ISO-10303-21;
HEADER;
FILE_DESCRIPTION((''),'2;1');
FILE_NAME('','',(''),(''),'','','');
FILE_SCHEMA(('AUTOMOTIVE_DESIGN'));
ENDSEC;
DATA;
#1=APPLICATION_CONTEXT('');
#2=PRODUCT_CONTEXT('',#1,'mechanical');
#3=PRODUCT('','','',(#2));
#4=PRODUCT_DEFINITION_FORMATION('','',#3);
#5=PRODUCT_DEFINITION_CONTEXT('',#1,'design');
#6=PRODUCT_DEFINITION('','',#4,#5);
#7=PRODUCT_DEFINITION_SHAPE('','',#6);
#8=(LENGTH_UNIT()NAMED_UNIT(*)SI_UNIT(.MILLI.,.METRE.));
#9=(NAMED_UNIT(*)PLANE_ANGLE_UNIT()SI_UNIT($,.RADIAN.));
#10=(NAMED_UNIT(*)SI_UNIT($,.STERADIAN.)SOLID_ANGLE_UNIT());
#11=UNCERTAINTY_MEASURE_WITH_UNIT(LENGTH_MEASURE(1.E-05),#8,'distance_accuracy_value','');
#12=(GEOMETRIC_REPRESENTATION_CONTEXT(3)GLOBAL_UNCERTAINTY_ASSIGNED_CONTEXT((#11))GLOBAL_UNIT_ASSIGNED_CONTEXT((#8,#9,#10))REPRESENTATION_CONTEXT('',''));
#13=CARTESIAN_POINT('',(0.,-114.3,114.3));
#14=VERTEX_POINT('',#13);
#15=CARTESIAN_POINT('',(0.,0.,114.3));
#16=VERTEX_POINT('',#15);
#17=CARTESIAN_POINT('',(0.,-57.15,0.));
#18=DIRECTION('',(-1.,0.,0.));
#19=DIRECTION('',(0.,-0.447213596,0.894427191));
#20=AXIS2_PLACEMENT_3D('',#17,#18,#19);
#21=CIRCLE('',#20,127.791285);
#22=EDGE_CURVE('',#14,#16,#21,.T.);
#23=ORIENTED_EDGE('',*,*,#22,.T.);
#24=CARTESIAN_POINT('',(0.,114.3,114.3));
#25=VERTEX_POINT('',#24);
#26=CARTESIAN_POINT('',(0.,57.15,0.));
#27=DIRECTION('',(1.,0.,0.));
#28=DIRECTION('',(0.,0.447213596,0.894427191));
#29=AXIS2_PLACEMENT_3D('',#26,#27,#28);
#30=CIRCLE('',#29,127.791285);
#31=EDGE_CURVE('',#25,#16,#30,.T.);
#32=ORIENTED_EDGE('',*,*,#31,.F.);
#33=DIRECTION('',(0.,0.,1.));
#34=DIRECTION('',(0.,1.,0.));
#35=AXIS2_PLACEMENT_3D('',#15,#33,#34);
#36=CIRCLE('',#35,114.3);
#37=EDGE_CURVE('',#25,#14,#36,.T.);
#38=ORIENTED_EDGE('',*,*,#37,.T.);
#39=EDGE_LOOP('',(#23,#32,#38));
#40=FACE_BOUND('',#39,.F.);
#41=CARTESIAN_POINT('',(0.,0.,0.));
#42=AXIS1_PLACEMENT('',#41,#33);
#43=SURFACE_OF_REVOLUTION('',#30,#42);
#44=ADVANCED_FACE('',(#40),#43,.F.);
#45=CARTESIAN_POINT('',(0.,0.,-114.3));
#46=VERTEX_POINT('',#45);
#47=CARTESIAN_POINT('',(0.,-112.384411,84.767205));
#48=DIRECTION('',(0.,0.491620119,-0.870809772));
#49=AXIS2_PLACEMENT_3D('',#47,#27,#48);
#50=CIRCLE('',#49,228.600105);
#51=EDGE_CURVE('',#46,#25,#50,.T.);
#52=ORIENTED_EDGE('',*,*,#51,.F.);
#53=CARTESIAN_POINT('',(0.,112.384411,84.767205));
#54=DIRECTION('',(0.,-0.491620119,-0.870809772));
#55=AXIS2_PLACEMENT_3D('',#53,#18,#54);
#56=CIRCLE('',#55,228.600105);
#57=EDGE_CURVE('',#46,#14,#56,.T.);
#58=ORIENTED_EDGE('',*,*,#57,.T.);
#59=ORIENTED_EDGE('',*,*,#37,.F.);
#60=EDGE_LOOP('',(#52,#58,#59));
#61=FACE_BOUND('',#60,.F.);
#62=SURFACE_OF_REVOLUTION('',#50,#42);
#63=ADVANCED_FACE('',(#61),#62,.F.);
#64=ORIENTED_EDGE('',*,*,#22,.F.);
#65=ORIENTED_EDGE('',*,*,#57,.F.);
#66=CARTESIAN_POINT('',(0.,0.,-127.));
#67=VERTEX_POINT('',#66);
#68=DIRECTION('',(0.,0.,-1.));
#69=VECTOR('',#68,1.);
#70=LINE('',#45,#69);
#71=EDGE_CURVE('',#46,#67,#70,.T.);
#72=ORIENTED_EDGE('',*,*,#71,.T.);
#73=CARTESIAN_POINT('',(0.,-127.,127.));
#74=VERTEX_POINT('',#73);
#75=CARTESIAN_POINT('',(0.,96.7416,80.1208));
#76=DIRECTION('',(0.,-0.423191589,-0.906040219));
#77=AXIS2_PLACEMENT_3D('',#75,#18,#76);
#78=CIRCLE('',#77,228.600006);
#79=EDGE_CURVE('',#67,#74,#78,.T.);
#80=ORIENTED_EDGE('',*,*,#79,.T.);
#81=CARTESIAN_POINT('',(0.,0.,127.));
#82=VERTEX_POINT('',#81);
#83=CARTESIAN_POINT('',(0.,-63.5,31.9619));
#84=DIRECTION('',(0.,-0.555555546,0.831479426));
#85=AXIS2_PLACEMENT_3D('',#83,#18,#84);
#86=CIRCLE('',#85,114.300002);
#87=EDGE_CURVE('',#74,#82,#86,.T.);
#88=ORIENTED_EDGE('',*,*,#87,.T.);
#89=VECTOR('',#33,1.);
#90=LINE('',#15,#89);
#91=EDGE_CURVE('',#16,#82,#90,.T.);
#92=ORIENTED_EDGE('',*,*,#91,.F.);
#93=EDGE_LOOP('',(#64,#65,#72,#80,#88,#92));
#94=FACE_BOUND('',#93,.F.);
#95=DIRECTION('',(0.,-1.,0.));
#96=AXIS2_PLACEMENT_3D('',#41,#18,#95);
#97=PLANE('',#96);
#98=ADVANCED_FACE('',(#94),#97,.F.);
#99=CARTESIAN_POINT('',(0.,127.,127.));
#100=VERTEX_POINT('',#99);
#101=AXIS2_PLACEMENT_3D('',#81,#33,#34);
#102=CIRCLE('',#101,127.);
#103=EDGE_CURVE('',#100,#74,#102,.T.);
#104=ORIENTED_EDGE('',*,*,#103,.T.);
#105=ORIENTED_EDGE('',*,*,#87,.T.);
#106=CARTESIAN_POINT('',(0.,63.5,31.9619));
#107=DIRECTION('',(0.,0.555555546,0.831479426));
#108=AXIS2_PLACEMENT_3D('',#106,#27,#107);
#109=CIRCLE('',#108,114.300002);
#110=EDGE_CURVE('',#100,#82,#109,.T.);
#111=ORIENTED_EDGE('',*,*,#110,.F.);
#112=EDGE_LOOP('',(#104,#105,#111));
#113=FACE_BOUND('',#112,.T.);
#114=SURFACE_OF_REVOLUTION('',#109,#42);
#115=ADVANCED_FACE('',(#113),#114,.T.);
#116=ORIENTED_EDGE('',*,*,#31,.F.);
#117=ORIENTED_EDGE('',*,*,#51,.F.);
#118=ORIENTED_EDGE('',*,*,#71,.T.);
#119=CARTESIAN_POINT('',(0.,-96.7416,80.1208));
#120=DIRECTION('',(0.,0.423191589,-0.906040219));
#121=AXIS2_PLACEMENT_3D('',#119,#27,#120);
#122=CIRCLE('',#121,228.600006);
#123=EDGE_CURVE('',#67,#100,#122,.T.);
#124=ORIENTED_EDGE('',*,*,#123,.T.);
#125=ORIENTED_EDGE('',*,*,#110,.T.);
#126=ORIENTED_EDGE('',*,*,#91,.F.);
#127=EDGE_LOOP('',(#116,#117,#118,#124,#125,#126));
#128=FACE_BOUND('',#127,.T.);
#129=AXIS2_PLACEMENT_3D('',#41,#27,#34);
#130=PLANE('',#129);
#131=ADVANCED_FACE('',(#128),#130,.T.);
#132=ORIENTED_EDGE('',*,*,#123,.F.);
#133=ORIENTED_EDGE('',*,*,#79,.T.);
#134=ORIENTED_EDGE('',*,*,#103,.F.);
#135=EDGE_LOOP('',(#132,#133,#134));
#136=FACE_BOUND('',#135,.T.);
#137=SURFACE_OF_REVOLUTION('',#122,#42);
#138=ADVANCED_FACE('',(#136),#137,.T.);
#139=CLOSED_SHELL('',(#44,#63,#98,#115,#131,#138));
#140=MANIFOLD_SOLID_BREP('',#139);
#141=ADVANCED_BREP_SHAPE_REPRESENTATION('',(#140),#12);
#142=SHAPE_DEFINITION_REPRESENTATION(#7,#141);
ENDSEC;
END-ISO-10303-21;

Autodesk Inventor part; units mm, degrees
ref_plane "YZ Plane" through (0, 0, 0) normal (1, 0, 0) x (0, 1, 0)
ref_plane "XZ Plane" through (0, 0, 0) normal (0, 1, 0) x (-1, 0, 0)
ref_plane "XY Plane" through (0, 0, 0) normal (0, 0, 1) x (1, 0, 0)
sketch "Sketch1" plane through (0, 0, 0) normal (1, 0, 0) x (0, 1, 0)
  arc A0 (114.3, 114.3) -> (0, 114.3) centre (57.15, 0) ccw
  arc A1 (0, -114.3) -> (114.3, 114.3) centre (-112.3843, 84.7671) ccw
  arc A2 (127, 127) -> (0, 127) centre (63.5, 31.9619) ccw
  arc A3 (0, -127) -> (127, 127) centre (-96.7416, 80.1208) ccw
  line L0 (0, 114.3) -> (0, 127)
  line L1 (0, -114.3) -> (0, -127)
  line L2 (0, 0) -> (0, 114.3)
  point P0 (57.15, 114.3)
  point P1 (63.5, 146.2619)
  dimension "d1" = 114.3
  dimension "d3" = 114.3
  dimension "d4" = 114.3
  dimension "d5" = 114.3
  dimension "d6" = 228.6
  dimension "d8" = 127
  dimension "d10" = 114.3
  dimension "d11" = 228.6
sketch "Sketch3" plane through (0, 0, 0) normal (0, 1, 0) x (-1, 0, 0)
  arc A0 (114.2997, 114.3) -> (-0.0003, 114.3) centre (57.1497, 0) ccw
  arc A1 (-0.0002, -114.3) -> (114.2997, 114.3) centre (-112.3846, 84.7671) ccw
  arc A2 (126.9997, 127) -> (-0.0003, 127) centre (63.4997, 31.9619) ccw
  arc A3 (-0.0002, -127) -> (126.9997, 127) centre (-96.7419, 80.1208) ccw
  line L0 (-0.0003, 127) -> (-0.0003, 114.3)
  line L1 (-0.0002, -127) -> (-0.0002, -114.3)
  line L2 (-0.0002, -127) -> (-0.0002, -114.3)
  line L3 (-0.0003, 114.3) -> (-0.0003, 127)
  point P0 (0, 0)
  point P1 (57.1497, 114.3)
  point P2 (63.4997, 146.2619)
  dimension "d0" = 114.3
  dimension "d16" = 114.3
  dimension "d17" = 114.3
  dimension "d22" = 114.3
revolve "Revolution1" add sketch "Sketch1" angle 180 about axis through (0, 0, 0) along (0, 0, 1)
equation "\"d1\" = d0"
equation "\"d10\" = d5"
equation "\"d11\" = d6"
equation "\"d22\" = d17"
properties part number "top1"
